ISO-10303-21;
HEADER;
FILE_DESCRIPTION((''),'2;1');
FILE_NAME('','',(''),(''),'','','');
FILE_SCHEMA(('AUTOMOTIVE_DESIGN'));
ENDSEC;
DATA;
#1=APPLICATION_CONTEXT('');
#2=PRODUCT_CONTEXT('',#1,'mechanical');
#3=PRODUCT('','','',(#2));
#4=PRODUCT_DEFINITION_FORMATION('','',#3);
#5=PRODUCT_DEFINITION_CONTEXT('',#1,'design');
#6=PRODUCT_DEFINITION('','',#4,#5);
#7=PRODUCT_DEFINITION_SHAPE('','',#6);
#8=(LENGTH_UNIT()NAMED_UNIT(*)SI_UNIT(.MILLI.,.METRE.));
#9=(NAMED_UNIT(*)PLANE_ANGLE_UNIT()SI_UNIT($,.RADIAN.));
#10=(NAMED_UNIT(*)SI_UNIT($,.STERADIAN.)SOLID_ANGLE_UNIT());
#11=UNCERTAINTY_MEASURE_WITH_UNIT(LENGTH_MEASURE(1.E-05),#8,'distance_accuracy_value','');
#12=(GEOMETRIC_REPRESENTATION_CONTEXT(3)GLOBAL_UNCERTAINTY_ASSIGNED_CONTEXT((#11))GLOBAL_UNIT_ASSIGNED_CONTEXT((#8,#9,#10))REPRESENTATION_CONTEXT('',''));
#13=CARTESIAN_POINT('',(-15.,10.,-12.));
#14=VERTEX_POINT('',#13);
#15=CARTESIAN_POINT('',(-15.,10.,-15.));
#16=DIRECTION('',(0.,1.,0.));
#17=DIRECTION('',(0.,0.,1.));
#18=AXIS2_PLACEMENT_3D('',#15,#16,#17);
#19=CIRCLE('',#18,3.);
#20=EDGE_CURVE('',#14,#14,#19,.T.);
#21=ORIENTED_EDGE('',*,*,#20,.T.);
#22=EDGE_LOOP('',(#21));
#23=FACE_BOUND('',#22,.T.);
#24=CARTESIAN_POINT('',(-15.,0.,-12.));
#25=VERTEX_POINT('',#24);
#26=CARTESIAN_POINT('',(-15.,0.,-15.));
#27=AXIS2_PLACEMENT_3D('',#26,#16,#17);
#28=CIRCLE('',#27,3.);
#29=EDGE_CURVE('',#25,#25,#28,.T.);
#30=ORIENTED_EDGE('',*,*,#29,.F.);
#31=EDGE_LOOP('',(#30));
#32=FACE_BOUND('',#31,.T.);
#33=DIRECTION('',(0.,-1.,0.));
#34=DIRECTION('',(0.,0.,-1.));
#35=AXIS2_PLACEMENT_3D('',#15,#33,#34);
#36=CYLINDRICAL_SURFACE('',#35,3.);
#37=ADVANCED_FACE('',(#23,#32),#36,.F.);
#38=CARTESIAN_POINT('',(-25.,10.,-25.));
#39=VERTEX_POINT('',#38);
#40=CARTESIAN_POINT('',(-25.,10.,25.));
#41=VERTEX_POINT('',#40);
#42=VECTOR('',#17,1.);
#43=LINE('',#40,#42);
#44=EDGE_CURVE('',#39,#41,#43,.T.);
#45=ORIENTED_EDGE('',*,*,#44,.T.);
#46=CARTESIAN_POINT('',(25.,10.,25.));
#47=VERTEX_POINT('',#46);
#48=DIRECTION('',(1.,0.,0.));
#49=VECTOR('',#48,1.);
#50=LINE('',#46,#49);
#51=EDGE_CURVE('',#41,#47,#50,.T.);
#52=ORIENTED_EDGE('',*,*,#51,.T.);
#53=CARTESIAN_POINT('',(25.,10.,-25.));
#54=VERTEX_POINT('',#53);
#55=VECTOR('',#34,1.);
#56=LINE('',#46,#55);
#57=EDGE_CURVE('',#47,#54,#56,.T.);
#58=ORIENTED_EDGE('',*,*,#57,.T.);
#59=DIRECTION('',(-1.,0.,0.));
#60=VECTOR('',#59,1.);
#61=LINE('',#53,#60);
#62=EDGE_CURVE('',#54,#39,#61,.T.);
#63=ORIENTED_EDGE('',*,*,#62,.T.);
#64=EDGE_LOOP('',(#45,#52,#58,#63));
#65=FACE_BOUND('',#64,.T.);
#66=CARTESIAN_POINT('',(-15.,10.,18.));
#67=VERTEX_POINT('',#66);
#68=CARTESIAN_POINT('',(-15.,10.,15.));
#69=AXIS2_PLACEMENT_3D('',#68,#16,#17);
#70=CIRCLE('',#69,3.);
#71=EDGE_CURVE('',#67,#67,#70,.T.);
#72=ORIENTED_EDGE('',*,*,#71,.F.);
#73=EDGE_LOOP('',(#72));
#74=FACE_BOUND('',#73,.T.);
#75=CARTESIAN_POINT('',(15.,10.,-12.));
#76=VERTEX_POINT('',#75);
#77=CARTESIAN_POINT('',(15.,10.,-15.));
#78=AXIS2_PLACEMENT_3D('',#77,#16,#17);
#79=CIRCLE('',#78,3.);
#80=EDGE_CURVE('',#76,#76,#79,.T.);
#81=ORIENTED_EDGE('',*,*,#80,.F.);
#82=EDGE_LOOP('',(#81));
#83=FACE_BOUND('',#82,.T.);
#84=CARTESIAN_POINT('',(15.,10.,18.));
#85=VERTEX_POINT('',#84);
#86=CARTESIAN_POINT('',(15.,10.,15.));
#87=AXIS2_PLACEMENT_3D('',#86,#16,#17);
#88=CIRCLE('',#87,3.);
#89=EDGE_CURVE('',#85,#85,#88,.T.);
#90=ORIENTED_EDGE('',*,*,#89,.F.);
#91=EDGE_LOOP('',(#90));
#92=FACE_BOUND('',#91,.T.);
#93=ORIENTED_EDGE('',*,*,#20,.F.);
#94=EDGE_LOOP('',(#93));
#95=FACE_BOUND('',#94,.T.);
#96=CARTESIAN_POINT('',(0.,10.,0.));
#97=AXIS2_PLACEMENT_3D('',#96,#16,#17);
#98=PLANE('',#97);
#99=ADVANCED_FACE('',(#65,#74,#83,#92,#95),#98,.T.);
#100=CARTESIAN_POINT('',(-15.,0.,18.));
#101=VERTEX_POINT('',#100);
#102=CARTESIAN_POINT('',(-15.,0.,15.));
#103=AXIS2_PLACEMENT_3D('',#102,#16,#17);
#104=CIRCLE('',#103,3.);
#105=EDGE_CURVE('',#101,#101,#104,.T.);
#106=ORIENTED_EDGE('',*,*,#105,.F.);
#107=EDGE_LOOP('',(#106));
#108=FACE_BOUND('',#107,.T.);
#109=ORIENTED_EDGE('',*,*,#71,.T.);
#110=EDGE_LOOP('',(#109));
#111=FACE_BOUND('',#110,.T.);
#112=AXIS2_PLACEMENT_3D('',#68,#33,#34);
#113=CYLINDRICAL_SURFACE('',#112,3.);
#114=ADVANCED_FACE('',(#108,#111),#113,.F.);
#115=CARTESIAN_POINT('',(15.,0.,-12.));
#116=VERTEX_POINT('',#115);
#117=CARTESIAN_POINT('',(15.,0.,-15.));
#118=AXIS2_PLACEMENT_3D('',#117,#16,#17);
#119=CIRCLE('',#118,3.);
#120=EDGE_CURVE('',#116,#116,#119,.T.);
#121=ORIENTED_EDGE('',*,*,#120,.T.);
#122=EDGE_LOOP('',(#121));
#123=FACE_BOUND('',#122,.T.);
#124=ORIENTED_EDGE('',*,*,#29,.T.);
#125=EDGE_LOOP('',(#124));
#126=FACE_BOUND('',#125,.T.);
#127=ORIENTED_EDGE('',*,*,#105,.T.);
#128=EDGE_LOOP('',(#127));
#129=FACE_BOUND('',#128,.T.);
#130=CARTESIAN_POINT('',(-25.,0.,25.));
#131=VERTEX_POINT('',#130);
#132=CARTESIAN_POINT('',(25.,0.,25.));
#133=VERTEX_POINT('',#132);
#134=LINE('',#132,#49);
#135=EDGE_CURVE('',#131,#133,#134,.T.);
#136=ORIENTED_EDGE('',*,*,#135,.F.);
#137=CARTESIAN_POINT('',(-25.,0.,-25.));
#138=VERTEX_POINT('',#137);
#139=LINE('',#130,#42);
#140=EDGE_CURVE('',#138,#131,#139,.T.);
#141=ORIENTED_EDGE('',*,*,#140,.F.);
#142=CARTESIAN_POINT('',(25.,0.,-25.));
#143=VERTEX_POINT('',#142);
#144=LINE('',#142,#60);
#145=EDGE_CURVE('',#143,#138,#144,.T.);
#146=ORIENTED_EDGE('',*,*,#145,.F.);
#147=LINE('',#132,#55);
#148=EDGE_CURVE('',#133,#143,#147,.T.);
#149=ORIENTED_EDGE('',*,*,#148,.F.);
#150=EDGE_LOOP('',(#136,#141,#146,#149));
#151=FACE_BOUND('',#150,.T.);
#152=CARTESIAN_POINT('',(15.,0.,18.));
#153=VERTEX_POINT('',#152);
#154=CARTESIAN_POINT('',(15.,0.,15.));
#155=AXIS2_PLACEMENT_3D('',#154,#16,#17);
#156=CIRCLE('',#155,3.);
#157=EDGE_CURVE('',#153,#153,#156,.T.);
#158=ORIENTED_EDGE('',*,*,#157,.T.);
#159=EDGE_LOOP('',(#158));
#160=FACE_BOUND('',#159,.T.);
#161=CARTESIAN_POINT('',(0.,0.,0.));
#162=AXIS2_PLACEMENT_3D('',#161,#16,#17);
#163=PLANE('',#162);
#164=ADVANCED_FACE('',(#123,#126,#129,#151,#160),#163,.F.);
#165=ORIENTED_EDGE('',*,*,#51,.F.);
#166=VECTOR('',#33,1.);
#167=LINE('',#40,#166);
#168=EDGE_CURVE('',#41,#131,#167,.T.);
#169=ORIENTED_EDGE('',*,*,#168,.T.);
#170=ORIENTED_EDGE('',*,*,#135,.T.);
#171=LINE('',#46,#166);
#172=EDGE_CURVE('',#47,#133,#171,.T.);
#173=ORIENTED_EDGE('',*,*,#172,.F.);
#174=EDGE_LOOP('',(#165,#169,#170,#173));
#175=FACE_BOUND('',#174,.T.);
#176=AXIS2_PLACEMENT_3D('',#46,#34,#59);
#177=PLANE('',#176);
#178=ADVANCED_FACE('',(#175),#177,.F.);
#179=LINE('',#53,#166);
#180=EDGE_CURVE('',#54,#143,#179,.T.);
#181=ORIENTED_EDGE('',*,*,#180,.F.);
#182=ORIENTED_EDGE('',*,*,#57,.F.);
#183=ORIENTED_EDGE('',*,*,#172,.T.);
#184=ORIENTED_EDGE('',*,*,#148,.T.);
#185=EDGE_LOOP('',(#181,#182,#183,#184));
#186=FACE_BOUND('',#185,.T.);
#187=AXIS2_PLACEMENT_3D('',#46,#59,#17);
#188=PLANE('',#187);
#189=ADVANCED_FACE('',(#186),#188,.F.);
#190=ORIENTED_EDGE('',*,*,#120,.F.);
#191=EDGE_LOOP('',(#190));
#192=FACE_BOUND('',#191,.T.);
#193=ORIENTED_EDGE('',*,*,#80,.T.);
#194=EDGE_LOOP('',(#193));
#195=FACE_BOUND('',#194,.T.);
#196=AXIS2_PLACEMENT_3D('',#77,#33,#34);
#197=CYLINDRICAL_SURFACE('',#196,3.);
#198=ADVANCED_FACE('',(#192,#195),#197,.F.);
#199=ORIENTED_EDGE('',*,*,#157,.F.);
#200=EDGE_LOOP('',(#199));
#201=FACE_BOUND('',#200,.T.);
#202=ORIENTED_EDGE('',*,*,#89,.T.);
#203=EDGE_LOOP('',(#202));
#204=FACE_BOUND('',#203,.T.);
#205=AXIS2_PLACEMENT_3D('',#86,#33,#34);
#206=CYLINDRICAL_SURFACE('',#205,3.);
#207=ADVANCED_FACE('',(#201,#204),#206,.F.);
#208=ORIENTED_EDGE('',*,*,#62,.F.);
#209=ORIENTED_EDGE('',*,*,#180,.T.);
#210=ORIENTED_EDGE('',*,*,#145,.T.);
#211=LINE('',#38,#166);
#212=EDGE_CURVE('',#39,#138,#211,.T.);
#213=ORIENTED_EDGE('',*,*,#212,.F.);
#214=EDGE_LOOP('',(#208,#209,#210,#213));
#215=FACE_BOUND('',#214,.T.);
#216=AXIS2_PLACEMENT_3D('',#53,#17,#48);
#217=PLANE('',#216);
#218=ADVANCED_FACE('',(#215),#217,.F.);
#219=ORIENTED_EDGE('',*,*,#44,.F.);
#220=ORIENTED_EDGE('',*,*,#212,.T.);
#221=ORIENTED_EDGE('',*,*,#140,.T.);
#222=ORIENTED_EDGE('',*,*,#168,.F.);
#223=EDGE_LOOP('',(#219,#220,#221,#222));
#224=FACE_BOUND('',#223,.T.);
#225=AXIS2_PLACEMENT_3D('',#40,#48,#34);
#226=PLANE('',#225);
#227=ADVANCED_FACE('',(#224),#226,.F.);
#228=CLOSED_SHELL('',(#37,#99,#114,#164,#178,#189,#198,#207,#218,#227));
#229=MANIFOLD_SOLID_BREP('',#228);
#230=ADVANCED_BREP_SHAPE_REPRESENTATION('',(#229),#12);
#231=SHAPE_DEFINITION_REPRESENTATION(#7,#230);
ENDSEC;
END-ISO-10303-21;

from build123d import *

# Parameters (mm, degrees)
SKETCH1_W           = 50
SKETCH1_H           = 50
SKETCH1_R           = 3
BOSS_EXTRUDE1_DEPTH = 10


with BuildPart() as part:
    # Sketch1 → Boss-Extrude1 (new body)
    with BuildSketch(Plane(origin=(0, 0, 0), x_dir=(1, 0, 0), z_dir=(0, 1, 0))):
        Rectangle(SKETCH1_W, SKETCH1_H)
        with Locations(Location((-15, 15, 0), (0, 0, 270))):
            Circle(SKETCH1_R, mode=Mode.SUBTRACT)
        with Locations(Location((15, 15, 0), (0, 0, 270))):
            Circle(SKETCH1_R, mode=Mode.SUBTRACT)
        with Locations(Location((15, -15, 0), (0, 0, 270))):
            Circle(SKETCH1_R, mode=Mode.SUBTRACT)
        with Locations(Location((-15, -15, 0), (0, 0, 270))):
            Circle(SKETCH1_R, mode=Mode.SUBTRACT)
    extrude(amount=BOSS_EXTRUDE1_DEPTH)


solid = part.part
